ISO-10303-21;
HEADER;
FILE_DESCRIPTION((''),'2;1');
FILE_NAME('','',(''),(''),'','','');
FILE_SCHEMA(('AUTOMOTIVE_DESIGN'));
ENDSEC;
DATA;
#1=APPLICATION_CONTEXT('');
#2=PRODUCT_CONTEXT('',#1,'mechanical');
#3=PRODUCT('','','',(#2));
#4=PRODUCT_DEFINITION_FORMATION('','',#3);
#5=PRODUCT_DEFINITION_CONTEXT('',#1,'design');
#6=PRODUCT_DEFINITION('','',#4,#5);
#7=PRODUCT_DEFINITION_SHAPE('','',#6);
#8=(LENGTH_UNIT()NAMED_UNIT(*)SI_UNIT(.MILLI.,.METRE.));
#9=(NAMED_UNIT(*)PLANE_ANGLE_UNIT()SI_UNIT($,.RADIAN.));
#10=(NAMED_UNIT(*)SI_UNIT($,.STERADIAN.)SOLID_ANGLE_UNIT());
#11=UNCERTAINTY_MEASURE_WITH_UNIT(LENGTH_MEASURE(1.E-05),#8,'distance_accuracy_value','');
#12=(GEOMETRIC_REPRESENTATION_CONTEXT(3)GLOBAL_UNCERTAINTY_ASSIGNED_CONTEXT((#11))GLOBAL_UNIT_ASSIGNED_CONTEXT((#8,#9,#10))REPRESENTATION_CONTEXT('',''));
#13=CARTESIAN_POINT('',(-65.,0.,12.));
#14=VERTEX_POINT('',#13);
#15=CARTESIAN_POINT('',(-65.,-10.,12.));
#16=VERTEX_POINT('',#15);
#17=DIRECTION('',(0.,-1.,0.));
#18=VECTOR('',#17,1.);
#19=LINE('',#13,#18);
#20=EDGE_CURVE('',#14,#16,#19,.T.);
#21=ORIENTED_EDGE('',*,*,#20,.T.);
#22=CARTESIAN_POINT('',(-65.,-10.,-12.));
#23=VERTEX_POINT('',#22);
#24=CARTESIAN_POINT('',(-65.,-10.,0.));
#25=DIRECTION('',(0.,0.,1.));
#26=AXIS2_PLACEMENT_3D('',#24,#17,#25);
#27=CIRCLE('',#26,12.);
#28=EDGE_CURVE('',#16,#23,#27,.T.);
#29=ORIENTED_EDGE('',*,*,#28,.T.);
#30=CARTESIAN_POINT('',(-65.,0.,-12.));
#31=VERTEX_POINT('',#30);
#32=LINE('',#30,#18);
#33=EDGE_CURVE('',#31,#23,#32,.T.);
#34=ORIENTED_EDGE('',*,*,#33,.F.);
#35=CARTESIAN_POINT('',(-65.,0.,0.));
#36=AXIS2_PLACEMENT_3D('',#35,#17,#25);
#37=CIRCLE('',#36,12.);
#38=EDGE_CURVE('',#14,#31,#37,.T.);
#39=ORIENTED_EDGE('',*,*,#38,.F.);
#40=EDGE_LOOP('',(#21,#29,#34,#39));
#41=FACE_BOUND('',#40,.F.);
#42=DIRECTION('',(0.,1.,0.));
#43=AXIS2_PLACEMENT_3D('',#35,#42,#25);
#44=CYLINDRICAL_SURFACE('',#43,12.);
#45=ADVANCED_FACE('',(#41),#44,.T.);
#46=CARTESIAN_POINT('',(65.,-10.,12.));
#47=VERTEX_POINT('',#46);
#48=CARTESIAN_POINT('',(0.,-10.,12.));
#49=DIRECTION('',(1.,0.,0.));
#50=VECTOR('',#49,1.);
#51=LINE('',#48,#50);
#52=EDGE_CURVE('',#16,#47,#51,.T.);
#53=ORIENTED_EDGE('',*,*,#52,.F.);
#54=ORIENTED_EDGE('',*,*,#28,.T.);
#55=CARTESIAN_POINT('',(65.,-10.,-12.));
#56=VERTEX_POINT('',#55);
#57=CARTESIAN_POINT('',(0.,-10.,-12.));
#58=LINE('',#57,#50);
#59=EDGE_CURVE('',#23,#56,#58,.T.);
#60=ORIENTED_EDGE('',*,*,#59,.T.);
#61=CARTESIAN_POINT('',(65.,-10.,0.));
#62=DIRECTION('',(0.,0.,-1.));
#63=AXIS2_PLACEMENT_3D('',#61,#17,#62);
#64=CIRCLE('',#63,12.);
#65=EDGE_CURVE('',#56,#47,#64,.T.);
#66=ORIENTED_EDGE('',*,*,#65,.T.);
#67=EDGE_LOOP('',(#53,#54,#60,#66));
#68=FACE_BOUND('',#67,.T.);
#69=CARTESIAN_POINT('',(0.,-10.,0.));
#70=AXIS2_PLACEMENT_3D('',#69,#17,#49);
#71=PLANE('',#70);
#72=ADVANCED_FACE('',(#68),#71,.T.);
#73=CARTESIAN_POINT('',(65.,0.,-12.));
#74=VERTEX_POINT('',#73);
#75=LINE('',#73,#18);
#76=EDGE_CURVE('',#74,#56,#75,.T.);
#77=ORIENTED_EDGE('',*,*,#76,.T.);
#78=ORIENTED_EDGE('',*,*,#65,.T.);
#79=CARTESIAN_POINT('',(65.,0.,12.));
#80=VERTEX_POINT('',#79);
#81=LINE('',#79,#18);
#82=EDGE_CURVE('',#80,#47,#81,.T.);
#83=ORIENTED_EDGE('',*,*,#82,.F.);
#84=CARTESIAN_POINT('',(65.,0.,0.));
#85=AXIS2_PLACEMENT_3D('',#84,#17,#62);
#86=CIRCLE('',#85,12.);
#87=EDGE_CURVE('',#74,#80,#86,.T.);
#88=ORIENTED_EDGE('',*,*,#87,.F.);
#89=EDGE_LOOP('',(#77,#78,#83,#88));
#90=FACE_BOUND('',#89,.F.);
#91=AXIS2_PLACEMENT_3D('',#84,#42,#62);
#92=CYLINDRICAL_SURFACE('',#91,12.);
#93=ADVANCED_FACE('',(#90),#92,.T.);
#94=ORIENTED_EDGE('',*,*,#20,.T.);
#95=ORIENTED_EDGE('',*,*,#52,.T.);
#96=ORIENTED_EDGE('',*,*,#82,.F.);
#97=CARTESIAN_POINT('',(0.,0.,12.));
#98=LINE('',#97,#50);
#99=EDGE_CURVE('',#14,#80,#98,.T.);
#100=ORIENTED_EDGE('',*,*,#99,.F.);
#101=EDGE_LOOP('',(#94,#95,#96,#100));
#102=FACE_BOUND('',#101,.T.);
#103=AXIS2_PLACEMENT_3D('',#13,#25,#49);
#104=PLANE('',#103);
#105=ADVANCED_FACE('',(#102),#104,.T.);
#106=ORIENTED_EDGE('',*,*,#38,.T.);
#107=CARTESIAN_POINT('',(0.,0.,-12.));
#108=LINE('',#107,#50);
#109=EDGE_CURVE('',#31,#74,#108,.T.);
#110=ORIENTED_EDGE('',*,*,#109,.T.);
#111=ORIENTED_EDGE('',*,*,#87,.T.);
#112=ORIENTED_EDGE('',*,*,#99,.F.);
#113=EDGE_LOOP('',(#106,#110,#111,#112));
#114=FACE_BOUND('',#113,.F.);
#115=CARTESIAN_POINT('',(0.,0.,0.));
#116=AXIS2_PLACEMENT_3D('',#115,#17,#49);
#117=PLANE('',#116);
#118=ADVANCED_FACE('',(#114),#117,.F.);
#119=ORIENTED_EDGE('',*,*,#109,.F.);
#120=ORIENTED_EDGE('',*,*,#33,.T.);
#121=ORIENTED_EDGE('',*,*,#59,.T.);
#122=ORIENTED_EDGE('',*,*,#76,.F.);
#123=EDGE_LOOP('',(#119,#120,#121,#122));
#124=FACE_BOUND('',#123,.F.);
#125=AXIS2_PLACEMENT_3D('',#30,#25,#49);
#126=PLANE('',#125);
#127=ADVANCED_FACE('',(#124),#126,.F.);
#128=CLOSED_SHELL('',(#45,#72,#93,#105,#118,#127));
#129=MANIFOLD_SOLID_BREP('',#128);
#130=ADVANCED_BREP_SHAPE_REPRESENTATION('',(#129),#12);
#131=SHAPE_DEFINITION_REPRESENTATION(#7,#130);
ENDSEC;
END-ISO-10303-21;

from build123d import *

# Parameters (mm, degrees)
F0_W     = 130
F0_H     = 24
F1_DEPTH = 10


with BuildPart() as f1:
    # F0 (on Front) → F1 (new body)
    with BuildSketch(Plane.XZ):
        Rectangle(F0_W, F0_H)
        with BuildLine():
            Line((65, 12), (65, -12))
            ThreePointArc((65, -12), (77, 0), (65, 12))
        make_face()
        with BuildLine():
            ThreePointArc((-65, 12), (-77, 0), (-65, -12))
            Line((-65, -12), (-65, 12))
        make_face()
    extrude(amount=F1_DEPTH)


solid = f1.part
